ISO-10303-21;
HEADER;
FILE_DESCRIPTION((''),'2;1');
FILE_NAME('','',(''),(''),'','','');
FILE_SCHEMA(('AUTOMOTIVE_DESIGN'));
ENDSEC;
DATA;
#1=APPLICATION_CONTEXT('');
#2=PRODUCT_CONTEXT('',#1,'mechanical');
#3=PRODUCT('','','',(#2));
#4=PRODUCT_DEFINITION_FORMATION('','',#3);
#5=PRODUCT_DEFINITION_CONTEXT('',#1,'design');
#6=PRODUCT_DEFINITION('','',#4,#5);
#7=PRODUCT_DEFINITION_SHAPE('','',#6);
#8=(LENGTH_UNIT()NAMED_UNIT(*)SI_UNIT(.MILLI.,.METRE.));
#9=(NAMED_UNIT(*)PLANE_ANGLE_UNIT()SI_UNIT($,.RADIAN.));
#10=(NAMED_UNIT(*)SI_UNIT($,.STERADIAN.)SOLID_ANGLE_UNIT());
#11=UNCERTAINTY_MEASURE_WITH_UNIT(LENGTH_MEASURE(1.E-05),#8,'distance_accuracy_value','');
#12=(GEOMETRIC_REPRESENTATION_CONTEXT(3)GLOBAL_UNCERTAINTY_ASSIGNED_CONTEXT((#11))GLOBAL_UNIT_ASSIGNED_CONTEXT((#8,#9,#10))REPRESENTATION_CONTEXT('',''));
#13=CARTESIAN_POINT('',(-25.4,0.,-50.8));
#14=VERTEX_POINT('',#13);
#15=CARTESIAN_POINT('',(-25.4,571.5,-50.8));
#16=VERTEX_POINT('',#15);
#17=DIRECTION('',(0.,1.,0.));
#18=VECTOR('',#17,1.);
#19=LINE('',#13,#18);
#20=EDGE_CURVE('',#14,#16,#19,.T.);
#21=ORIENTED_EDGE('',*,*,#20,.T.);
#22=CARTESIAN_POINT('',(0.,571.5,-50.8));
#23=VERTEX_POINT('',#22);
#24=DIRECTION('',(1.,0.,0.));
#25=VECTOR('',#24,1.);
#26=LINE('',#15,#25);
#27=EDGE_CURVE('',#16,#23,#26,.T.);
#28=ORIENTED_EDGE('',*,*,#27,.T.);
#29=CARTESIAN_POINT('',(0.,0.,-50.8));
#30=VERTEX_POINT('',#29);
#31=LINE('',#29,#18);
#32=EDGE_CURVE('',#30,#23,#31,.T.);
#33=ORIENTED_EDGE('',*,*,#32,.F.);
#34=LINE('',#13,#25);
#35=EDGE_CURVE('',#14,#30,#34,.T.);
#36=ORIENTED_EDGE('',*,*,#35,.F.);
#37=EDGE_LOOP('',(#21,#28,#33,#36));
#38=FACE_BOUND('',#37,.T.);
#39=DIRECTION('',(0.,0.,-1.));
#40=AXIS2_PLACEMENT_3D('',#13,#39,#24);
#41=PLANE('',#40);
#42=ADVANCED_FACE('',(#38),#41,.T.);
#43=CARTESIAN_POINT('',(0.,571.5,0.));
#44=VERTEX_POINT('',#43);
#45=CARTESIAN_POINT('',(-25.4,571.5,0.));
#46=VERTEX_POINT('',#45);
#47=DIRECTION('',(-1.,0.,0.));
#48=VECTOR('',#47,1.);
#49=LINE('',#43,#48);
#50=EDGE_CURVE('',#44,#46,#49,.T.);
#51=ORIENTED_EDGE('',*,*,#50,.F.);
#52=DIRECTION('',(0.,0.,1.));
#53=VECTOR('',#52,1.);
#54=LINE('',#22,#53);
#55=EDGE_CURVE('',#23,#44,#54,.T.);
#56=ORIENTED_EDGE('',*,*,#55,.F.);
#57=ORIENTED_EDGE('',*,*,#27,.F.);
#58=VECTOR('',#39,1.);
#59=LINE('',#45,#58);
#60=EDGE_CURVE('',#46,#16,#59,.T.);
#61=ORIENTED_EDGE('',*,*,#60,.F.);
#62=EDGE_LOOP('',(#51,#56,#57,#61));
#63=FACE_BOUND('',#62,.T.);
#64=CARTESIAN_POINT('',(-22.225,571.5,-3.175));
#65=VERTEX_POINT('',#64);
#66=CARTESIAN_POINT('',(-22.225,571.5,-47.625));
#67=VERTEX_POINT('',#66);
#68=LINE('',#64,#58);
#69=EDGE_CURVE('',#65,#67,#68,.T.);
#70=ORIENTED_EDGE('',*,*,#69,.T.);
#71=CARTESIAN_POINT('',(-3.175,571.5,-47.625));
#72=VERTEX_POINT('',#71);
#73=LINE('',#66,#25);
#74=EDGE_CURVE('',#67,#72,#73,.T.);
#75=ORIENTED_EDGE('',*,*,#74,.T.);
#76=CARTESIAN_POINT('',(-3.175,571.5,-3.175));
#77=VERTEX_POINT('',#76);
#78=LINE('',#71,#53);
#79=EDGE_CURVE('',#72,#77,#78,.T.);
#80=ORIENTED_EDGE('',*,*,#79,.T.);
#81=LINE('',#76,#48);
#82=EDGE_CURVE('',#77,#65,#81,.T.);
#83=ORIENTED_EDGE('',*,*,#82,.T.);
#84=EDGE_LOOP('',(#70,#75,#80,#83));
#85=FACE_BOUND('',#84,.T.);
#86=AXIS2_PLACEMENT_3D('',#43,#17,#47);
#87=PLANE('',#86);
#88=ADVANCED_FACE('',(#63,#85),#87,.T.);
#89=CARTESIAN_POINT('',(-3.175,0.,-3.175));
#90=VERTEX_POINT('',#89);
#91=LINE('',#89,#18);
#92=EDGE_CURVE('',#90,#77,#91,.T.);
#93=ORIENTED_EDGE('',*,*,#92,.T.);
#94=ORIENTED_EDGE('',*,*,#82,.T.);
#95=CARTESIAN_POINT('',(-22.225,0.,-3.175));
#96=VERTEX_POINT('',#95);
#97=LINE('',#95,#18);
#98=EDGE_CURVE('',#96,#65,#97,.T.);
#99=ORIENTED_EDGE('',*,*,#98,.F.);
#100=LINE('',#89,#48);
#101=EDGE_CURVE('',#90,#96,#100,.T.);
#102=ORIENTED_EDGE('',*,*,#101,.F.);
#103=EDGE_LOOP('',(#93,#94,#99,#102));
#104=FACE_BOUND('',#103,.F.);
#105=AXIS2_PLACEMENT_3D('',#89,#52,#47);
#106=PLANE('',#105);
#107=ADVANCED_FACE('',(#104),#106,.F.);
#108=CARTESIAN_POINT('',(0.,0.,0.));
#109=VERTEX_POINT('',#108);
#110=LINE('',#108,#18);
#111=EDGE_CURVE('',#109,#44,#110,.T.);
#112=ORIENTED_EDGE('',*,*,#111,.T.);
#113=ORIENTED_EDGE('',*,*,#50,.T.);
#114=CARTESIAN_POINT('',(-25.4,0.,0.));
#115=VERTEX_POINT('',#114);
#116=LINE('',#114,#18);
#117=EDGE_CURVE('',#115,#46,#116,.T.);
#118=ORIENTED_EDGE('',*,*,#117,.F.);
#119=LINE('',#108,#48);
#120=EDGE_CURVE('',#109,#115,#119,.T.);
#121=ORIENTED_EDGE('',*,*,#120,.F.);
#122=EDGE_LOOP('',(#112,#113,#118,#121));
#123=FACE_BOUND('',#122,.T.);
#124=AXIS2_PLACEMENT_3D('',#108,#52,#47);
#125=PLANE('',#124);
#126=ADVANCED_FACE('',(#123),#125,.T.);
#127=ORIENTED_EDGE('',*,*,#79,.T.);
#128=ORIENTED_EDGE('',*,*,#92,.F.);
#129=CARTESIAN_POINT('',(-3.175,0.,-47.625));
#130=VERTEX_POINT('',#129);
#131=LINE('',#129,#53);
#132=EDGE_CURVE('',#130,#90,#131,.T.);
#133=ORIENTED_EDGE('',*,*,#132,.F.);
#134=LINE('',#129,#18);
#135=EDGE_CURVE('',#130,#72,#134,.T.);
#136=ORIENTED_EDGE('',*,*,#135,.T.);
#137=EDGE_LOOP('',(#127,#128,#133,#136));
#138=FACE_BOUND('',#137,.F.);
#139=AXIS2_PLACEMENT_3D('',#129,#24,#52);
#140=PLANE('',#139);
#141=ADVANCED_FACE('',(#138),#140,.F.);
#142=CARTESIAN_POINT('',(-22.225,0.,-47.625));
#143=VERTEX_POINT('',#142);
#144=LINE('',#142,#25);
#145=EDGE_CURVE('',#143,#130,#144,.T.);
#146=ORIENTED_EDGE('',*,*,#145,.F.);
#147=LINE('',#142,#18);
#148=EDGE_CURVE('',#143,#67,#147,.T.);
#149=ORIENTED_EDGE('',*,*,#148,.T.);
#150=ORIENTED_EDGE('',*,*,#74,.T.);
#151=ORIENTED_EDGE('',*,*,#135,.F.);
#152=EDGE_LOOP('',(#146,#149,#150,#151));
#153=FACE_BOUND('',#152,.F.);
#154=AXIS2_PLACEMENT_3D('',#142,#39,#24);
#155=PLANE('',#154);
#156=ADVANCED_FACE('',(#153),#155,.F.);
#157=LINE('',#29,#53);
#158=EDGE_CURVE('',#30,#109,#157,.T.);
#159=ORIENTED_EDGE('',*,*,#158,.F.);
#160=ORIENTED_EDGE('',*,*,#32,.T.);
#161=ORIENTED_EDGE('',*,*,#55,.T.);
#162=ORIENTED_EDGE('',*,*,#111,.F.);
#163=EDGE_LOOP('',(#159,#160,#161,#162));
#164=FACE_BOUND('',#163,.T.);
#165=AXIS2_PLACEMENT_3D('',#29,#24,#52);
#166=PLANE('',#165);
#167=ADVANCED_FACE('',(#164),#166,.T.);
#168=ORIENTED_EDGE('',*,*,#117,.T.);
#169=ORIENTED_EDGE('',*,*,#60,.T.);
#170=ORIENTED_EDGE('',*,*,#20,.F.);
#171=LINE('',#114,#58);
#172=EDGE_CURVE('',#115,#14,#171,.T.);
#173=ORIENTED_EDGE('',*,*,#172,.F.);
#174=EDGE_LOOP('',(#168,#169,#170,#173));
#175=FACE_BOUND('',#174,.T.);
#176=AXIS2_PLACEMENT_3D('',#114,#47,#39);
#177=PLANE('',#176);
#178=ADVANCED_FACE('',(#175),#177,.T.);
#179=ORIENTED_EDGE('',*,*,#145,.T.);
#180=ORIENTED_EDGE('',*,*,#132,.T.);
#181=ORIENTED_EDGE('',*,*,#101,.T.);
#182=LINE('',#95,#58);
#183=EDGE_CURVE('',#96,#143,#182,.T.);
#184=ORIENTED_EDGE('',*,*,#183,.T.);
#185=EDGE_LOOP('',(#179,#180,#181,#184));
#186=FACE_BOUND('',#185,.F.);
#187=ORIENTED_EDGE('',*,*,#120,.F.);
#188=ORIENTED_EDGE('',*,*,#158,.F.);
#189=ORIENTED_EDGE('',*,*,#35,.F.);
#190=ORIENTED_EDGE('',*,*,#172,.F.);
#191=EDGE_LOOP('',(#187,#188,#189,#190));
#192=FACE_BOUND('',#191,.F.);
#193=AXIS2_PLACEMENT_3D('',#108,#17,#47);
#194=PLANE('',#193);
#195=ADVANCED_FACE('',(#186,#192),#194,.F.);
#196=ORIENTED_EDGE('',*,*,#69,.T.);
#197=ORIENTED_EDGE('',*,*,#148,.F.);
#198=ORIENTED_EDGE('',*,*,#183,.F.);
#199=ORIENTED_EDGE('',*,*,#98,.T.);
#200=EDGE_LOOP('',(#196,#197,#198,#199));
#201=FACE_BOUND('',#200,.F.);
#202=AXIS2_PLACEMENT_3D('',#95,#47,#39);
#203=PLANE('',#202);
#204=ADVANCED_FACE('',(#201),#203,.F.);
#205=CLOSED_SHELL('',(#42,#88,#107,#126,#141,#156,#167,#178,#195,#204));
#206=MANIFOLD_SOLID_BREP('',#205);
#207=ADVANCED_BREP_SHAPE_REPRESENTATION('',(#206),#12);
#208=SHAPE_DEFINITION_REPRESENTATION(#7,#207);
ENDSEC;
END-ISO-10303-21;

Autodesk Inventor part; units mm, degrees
ref_plane "YZ Plane" through (0, 0, 0) normal (1, 0, 0) x (0, 1, 0)
ref_plane "XZ Plane" through (0, 0, 0) normal (0, 1, 0) x (-1, 0, 0)
ref_plane "XY Plane" through (0, 0, 0) normal (0, 0, 1) x (1, 0, 0)
sketch "Sketch1" plane through (0, 0, 0) normal (0, 1, 0) x (-1, 0, 0)
  line L0 (0, 0) -> (25.4, 0)
  line L1 (25.4, 0) -> (25.4, -50.8)
  line L2 (25.4, -50.8) -> (0, -50.8)
  line L3 (0, -50.8) -> (0, 0)
  line L4 (3.175, -3.175) -> (22.225, -3.175)
  line L5 (22.225, -3.175) -> (22.225, -47.625)
  line L6 (22.225, -47.625) -> (3.175, -47.625)
  line L7 (3.175, -47.625) -> (3.175, -3.175)
  dimension "d0" = 50.8
  dimension "d1" = 25.4
  dimension "d2" = 3.175
extrude "Extrusion1" add sketch "Sketch1" along normal blind 571.5
properties part number "12in 2x1 Aluminum Block-ver1-1111-2019"
